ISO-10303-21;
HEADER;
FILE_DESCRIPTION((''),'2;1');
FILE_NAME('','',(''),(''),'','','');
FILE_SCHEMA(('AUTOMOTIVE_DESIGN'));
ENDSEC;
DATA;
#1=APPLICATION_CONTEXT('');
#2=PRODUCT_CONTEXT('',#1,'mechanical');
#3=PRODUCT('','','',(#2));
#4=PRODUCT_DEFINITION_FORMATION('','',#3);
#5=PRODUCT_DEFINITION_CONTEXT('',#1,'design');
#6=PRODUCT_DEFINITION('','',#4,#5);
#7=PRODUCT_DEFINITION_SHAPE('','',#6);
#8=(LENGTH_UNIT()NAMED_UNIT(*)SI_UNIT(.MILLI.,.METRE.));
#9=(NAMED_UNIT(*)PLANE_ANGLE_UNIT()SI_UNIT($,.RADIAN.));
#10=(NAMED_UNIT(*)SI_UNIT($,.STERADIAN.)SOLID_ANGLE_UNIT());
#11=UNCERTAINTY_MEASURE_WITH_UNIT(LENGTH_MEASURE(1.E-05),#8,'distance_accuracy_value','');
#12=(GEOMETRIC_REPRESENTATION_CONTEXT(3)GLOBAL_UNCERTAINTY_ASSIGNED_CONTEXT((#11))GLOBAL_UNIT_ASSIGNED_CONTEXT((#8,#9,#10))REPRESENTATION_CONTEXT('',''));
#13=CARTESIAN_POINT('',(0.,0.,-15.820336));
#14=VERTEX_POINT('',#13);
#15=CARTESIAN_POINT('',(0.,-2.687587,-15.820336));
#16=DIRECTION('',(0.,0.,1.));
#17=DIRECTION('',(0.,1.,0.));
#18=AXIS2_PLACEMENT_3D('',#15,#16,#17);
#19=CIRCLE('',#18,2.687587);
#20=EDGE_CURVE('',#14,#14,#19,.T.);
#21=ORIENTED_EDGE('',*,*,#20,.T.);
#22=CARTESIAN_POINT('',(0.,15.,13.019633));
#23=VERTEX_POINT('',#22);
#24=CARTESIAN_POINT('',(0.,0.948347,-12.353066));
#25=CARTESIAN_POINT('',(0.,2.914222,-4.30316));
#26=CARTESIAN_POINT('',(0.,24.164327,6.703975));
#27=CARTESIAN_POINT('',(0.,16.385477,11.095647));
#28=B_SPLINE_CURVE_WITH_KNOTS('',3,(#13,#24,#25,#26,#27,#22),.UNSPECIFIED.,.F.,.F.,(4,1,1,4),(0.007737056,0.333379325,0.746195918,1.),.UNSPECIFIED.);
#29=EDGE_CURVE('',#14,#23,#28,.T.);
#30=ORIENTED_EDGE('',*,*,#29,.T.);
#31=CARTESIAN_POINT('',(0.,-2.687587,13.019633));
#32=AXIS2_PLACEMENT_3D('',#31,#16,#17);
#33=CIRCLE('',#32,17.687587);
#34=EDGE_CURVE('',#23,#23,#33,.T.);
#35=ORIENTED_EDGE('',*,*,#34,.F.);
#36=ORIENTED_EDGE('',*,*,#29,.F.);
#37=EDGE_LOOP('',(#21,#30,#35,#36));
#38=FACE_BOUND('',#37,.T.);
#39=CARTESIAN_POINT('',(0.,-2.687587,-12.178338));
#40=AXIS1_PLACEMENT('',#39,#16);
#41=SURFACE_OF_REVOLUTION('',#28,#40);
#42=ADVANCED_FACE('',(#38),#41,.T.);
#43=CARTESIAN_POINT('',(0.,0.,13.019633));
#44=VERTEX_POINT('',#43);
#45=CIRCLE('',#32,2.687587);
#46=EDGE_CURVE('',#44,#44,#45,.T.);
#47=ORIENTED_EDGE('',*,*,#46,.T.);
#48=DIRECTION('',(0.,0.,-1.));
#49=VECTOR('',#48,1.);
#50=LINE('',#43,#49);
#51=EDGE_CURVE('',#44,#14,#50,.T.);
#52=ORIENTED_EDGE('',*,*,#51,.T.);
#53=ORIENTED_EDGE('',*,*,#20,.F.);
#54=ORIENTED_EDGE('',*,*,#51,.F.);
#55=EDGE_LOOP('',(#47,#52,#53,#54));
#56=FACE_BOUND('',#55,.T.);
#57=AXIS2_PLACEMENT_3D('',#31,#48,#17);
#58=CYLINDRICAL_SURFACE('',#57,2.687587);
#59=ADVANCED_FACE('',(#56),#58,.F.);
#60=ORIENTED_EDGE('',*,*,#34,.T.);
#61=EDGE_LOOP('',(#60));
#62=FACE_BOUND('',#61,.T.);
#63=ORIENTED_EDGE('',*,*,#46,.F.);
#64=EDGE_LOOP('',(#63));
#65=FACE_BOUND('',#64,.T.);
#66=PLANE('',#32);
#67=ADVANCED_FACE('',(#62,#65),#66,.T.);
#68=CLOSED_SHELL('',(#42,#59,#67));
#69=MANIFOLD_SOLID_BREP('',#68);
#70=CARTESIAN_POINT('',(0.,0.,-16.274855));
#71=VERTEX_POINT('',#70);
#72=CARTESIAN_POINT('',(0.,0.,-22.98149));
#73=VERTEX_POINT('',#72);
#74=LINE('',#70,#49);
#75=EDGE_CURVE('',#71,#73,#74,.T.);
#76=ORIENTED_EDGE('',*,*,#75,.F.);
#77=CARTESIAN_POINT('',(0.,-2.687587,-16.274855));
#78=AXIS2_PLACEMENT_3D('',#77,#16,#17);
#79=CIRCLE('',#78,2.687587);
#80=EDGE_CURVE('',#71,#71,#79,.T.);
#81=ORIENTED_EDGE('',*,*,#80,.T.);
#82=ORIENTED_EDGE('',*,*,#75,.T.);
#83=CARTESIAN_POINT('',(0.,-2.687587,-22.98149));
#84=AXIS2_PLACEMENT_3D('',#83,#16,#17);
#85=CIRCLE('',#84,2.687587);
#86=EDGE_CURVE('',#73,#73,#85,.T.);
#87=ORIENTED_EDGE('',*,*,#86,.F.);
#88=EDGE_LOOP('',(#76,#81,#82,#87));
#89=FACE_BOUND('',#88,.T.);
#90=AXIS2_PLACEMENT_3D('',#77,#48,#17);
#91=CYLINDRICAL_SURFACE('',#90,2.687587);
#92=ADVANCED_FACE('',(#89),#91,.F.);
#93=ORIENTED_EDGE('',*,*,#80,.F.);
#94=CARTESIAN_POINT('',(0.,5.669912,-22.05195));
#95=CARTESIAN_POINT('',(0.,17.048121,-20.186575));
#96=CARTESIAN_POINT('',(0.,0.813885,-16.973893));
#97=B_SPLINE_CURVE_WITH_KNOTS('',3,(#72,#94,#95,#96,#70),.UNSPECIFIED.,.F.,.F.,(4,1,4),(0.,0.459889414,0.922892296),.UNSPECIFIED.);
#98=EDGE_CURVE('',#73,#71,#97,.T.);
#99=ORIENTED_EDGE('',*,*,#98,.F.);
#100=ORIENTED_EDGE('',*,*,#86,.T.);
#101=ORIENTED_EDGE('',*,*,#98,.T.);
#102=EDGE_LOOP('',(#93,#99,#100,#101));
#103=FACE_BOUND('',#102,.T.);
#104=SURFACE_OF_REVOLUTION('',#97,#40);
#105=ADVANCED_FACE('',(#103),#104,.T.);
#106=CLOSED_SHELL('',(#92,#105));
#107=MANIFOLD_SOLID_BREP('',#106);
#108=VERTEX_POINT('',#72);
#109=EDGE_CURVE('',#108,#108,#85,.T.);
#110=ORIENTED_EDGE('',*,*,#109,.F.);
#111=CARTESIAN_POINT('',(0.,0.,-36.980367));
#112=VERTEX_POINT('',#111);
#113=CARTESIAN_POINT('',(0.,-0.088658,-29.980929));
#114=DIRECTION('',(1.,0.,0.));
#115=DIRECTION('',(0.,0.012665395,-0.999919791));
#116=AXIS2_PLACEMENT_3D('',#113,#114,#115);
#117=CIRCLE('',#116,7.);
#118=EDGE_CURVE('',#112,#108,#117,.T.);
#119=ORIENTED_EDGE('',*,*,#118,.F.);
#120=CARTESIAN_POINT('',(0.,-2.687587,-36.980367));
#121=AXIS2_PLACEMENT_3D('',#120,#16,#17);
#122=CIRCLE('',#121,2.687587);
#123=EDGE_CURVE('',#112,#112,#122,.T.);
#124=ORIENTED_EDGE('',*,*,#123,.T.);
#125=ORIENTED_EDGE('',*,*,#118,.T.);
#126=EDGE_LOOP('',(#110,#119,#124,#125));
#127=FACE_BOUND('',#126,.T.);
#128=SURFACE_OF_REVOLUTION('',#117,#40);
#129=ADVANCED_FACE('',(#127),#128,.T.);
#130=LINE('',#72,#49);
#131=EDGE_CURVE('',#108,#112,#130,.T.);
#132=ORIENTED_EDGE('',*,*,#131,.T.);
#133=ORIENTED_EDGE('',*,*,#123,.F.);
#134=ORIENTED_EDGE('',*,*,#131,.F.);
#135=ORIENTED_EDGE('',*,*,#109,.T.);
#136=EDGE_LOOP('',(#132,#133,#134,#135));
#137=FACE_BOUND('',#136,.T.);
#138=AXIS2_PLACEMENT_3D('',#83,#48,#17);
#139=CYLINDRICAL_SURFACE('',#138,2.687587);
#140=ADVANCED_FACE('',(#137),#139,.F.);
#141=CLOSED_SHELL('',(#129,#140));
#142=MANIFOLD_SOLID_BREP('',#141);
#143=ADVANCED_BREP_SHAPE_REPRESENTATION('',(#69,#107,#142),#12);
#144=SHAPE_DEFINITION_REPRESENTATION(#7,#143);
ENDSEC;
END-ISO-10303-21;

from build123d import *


with BuildPart() as f1:
    # F0 (on Right) → F1 (revolve)
    with BuildSketch(Plane.YZ):
        with BuildLine():
            Line((0, 13.0196327599), (0, -15.820335771))
            add(Edge.make_bspline(
                [(0, -15.820335771), (0.9483472479, -12.3530663624), (2.9142217394, -4.3031595803), (24.1643272847, 6.703975096), (16.3854773323, 11.0956474022), (15, 13.0196327599)],
                knots=[0.0077370555, 0.0077370555, 0.0077370555, 0.0077370555, 0.3333793249, 0.7461959182, 1, 1, 1, 1], degree=3))
            Line((15, 13.0196327599), (0, 13.0196327599))
        make_face()
    revolve(axis=Axis((0, -2.6875874028, -12.178337574), (0, 0, 1)))


with BuildPart() as f1b:
    # F0 (on Right) → F1, piece 2 (revolve)
    with BuildSketch(Plane.YZ):
        with BuildLine():
            Line((0, -16.2748545408), (0, -22.9814901708))
            add(Edge.make_bspline(
                [(0, -22.9814901708), (5.6699117439, -22.051949532), (17.0481207367, -20.186575231), (0.8138854669, -16.9738926898), (0, -16.2748545408)],
                knots=[0, 0, 0, 0, 0.459889414, 0.9228922958, 0.9228922958, 0.9228922958, 0.9228922958], degree=3))
        make_face()
    revolve(axis=Axis((0, -2.6875874028, -12.178337574), (0, 0, 1)))


with BuildPart() as f1c:
    # F0 (on Right) → F1, piece 3 (revolve)
    with BuildSketch(Plane.YZ):
        with BuildLine():
            Line((0, -22.9814901708), (0, -36.9803672401))
            ThreePointArc((0, -36.9803672401), (6.9113422342, -29.9809287055), (0, -22.9814901708))
        make_face()
    revolve(axis=Axis((0, -2.6875874028, -12.178337574), (0, 0, 1)))


solid = Compound([f1.part, f1b.part, f1c.part])
